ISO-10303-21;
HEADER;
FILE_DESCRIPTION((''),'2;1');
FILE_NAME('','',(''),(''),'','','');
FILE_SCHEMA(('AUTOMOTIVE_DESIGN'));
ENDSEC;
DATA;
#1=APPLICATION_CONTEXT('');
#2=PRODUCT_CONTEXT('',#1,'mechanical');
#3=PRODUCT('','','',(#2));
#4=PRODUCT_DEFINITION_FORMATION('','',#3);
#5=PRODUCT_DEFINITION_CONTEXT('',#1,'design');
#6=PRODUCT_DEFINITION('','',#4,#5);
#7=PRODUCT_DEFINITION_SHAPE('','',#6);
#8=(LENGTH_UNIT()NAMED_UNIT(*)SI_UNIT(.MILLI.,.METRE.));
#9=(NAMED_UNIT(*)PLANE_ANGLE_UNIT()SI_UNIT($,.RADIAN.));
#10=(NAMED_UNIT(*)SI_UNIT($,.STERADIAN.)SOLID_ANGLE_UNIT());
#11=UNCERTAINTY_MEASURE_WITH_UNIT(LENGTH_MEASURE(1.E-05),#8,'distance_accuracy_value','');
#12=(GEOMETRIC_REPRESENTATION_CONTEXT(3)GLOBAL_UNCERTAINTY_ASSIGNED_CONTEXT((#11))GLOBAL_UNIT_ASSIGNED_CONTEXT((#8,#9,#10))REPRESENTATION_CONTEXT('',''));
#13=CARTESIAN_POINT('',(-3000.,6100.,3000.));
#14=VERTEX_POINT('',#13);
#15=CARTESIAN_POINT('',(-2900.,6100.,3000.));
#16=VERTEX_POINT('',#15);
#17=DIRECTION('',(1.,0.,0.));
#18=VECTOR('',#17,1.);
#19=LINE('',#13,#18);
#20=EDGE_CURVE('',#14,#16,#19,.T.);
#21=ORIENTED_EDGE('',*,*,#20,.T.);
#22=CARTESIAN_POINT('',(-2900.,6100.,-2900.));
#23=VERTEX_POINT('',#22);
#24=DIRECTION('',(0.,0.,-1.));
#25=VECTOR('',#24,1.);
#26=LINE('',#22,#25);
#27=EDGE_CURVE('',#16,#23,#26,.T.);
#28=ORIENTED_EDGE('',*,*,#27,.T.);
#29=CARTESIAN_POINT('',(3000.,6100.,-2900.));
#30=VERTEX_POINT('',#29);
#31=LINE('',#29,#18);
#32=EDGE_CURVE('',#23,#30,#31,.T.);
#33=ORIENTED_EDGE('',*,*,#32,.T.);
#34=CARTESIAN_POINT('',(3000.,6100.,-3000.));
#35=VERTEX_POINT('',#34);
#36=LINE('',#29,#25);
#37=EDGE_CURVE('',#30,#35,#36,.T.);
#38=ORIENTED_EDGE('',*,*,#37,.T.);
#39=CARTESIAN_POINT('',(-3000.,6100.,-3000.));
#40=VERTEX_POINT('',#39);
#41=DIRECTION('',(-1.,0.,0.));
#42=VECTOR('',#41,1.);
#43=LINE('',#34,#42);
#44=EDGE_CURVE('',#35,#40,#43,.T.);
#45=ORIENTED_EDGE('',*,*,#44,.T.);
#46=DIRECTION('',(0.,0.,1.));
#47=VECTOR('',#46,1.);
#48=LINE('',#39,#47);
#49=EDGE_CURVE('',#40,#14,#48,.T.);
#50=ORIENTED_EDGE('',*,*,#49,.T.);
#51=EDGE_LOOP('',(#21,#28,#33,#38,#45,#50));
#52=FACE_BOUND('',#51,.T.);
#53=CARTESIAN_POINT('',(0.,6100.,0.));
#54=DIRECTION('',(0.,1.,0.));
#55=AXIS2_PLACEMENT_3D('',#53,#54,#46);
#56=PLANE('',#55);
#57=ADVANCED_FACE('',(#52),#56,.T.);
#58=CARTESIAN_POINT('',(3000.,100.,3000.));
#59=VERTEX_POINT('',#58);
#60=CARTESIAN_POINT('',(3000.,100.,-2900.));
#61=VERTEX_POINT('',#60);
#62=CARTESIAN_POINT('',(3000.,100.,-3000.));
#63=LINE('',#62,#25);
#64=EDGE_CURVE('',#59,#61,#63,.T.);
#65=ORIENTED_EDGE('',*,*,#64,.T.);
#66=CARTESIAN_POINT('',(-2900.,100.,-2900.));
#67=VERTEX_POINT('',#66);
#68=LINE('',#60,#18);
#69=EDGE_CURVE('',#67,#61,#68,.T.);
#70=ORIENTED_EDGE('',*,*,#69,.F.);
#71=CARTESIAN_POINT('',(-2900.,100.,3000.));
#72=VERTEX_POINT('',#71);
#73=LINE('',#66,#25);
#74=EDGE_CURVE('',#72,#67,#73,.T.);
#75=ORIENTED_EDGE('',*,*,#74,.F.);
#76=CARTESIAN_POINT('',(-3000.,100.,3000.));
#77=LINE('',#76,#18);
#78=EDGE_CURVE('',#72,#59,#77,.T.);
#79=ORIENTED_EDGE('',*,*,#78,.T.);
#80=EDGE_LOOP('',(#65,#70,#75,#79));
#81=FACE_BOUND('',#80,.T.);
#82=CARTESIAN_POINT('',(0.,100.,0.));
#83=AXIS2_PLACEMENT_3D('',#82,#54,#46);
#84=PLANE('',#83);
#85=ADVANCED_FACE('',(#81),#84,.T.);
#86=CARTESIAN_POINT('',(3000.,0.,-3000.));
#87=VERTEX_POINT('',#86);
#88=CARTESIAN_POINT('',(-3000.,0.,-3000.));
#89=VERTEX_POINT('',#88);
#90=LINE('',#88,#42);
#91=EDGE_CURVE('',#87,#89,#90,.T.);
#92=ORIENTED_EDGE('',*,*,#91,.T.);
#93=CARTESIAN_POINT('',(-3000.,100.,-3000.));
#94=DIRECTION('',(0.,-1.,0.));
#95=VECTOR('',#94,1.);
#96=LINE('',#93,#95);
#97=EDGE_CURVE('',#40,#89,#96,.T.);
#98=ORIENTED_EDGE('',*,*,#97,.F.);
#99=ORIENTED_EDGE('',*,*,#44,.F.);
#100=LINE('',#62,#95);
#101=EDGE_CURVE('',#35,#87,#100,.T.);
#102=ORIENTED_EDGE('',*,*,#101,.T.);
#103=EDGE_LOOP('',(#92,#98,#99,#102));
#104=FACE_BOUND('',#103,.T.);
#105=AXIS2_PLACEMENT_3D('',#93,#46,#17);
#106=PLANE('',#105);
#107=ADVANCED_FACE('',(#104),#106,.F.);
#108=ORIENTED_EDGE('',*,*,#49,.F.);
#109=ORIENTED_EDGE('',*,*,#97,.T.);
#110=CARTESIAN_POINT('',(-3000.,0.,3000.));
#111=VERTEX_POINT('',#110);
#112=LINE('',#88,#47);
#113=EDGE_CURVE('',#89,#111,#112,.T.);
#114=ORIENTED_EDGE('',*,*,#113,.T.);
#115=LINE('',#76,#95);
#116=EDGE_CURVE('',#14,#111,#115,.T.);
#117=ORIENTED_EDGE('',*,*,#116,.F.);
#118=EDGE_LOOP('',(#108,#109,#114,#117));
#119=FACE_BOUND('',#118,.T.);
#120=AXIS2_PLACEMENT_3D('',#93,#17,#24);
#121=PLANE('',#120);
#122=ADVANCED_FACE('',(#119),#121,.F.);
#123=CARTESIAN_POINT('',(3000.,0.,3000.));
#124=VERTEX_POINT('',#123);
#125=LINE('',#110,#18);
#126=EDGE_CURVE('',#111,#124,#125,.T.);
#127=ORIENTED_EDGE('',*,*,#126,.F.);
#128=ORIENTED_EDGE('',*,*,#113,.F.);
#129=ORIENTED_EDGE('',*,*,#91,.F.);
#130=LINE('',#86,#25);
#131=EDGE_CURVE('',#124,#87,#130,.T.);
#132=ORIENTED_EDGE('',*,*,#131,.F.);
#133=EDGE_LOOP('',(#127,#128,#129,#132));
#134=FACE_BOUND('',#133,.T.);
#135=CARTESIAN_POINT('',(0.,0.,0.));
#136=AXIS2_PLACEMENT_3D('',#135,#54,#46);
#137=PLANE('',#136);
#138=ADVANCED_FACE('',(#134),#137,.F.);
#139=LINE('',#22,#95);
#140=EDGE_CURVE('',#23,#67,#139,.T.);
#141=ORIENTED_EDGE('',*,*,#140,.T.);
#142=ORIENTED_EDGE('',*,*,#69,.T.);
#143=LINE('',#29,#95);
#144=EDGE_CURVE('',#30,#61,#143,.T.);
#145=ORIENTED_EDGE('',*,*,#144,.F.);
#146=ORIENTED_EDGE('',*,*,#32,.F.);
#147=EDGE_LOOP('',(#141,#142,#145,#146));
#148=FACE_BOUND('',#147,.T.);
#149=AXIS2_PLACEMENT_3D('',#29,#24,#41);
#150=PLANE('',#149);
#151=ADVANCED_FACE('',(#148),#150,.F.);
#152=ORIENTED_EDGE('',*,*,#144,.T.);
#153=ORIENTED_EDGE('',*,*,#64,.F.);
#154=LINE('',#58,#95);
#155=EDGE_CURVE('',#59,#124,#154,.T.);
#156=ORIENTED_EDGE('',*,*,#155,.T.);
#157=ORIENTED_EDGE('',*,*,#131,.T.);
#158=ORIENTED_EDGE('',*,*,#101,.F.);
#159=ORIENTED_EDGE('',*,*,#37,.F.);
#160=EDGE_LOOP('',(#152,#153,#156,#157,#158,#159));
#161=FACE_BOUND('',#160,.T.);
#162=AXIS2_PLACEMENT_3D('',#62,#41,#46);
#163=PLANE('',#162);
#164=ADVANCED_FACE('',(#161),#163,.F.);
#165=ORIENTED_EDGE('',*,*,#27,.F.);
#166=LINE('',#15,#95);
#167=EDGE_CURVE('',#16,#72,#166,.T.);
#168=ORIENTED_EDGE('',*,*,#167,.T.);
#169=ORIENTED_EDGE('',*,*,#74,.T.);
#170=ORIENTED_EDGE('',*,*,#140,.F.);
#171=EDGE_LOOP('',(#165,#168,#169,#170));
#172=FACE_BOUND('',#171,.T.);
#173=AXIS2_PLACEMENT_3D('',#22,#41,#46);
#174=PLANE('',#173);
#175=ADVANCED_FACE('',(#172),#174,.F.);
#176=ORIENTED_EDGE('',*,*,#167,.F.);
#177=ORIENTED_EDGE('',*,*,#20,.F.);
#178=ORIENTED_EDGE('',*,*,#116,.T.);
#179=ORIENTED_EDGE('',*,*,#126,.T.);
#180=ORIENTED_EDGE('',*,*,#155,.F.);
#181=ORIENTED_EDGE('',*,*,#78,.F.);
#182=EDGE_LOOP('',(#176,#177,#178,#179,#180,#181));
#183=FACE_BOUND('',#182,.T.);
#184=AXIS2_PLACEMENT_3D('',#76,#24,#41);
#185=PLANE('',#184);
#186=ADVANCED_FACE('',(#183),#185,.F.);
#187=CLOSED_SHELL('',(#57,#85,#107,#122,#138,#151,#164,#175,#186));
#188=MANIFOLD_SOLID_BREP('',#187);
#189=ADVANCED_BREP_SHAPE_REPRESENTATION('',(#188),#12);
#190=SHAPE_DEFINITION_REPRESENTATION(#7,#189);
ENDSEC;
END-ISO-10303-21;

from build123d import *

# Parameters (mm, degrees)
SKETCH1_W           = 6000
SKETCH1_H           = 6000
BOSS_EXTRUDE2_DEPTH = 100
BOSS_EXTRUDE3_DEPTH = 6000


with BuildPart() as part:
    # Sketch1 → Boss-Extrude2 (new body)
    with BuildSketch(Plane(origin=(0, 0, 0), x_dir=(1, 0, 0), z_dir=(0, 1, 0))):
        Rectangle(SKETCH1_W, SKETCH1_H)
    extrude(amount=BOSS_EXTRUDE2_DEPTH)

    # Sketch2 → Boss-Extrude3 (add)
    with BuildSketch(Plane(origin=(0, 100, 0), x_dir=(1, 0, 0), z_dir=(0, 1, 0))):
        Polygon((3000, 2900), (-2900, 2900), (-2900, -3000), (-3000, -3000), (-3000, 3000), (3000, 3000), align=None)
    extrude(amount=BOSS_EXTRUDE3_DEPTH)


solid = part.part
